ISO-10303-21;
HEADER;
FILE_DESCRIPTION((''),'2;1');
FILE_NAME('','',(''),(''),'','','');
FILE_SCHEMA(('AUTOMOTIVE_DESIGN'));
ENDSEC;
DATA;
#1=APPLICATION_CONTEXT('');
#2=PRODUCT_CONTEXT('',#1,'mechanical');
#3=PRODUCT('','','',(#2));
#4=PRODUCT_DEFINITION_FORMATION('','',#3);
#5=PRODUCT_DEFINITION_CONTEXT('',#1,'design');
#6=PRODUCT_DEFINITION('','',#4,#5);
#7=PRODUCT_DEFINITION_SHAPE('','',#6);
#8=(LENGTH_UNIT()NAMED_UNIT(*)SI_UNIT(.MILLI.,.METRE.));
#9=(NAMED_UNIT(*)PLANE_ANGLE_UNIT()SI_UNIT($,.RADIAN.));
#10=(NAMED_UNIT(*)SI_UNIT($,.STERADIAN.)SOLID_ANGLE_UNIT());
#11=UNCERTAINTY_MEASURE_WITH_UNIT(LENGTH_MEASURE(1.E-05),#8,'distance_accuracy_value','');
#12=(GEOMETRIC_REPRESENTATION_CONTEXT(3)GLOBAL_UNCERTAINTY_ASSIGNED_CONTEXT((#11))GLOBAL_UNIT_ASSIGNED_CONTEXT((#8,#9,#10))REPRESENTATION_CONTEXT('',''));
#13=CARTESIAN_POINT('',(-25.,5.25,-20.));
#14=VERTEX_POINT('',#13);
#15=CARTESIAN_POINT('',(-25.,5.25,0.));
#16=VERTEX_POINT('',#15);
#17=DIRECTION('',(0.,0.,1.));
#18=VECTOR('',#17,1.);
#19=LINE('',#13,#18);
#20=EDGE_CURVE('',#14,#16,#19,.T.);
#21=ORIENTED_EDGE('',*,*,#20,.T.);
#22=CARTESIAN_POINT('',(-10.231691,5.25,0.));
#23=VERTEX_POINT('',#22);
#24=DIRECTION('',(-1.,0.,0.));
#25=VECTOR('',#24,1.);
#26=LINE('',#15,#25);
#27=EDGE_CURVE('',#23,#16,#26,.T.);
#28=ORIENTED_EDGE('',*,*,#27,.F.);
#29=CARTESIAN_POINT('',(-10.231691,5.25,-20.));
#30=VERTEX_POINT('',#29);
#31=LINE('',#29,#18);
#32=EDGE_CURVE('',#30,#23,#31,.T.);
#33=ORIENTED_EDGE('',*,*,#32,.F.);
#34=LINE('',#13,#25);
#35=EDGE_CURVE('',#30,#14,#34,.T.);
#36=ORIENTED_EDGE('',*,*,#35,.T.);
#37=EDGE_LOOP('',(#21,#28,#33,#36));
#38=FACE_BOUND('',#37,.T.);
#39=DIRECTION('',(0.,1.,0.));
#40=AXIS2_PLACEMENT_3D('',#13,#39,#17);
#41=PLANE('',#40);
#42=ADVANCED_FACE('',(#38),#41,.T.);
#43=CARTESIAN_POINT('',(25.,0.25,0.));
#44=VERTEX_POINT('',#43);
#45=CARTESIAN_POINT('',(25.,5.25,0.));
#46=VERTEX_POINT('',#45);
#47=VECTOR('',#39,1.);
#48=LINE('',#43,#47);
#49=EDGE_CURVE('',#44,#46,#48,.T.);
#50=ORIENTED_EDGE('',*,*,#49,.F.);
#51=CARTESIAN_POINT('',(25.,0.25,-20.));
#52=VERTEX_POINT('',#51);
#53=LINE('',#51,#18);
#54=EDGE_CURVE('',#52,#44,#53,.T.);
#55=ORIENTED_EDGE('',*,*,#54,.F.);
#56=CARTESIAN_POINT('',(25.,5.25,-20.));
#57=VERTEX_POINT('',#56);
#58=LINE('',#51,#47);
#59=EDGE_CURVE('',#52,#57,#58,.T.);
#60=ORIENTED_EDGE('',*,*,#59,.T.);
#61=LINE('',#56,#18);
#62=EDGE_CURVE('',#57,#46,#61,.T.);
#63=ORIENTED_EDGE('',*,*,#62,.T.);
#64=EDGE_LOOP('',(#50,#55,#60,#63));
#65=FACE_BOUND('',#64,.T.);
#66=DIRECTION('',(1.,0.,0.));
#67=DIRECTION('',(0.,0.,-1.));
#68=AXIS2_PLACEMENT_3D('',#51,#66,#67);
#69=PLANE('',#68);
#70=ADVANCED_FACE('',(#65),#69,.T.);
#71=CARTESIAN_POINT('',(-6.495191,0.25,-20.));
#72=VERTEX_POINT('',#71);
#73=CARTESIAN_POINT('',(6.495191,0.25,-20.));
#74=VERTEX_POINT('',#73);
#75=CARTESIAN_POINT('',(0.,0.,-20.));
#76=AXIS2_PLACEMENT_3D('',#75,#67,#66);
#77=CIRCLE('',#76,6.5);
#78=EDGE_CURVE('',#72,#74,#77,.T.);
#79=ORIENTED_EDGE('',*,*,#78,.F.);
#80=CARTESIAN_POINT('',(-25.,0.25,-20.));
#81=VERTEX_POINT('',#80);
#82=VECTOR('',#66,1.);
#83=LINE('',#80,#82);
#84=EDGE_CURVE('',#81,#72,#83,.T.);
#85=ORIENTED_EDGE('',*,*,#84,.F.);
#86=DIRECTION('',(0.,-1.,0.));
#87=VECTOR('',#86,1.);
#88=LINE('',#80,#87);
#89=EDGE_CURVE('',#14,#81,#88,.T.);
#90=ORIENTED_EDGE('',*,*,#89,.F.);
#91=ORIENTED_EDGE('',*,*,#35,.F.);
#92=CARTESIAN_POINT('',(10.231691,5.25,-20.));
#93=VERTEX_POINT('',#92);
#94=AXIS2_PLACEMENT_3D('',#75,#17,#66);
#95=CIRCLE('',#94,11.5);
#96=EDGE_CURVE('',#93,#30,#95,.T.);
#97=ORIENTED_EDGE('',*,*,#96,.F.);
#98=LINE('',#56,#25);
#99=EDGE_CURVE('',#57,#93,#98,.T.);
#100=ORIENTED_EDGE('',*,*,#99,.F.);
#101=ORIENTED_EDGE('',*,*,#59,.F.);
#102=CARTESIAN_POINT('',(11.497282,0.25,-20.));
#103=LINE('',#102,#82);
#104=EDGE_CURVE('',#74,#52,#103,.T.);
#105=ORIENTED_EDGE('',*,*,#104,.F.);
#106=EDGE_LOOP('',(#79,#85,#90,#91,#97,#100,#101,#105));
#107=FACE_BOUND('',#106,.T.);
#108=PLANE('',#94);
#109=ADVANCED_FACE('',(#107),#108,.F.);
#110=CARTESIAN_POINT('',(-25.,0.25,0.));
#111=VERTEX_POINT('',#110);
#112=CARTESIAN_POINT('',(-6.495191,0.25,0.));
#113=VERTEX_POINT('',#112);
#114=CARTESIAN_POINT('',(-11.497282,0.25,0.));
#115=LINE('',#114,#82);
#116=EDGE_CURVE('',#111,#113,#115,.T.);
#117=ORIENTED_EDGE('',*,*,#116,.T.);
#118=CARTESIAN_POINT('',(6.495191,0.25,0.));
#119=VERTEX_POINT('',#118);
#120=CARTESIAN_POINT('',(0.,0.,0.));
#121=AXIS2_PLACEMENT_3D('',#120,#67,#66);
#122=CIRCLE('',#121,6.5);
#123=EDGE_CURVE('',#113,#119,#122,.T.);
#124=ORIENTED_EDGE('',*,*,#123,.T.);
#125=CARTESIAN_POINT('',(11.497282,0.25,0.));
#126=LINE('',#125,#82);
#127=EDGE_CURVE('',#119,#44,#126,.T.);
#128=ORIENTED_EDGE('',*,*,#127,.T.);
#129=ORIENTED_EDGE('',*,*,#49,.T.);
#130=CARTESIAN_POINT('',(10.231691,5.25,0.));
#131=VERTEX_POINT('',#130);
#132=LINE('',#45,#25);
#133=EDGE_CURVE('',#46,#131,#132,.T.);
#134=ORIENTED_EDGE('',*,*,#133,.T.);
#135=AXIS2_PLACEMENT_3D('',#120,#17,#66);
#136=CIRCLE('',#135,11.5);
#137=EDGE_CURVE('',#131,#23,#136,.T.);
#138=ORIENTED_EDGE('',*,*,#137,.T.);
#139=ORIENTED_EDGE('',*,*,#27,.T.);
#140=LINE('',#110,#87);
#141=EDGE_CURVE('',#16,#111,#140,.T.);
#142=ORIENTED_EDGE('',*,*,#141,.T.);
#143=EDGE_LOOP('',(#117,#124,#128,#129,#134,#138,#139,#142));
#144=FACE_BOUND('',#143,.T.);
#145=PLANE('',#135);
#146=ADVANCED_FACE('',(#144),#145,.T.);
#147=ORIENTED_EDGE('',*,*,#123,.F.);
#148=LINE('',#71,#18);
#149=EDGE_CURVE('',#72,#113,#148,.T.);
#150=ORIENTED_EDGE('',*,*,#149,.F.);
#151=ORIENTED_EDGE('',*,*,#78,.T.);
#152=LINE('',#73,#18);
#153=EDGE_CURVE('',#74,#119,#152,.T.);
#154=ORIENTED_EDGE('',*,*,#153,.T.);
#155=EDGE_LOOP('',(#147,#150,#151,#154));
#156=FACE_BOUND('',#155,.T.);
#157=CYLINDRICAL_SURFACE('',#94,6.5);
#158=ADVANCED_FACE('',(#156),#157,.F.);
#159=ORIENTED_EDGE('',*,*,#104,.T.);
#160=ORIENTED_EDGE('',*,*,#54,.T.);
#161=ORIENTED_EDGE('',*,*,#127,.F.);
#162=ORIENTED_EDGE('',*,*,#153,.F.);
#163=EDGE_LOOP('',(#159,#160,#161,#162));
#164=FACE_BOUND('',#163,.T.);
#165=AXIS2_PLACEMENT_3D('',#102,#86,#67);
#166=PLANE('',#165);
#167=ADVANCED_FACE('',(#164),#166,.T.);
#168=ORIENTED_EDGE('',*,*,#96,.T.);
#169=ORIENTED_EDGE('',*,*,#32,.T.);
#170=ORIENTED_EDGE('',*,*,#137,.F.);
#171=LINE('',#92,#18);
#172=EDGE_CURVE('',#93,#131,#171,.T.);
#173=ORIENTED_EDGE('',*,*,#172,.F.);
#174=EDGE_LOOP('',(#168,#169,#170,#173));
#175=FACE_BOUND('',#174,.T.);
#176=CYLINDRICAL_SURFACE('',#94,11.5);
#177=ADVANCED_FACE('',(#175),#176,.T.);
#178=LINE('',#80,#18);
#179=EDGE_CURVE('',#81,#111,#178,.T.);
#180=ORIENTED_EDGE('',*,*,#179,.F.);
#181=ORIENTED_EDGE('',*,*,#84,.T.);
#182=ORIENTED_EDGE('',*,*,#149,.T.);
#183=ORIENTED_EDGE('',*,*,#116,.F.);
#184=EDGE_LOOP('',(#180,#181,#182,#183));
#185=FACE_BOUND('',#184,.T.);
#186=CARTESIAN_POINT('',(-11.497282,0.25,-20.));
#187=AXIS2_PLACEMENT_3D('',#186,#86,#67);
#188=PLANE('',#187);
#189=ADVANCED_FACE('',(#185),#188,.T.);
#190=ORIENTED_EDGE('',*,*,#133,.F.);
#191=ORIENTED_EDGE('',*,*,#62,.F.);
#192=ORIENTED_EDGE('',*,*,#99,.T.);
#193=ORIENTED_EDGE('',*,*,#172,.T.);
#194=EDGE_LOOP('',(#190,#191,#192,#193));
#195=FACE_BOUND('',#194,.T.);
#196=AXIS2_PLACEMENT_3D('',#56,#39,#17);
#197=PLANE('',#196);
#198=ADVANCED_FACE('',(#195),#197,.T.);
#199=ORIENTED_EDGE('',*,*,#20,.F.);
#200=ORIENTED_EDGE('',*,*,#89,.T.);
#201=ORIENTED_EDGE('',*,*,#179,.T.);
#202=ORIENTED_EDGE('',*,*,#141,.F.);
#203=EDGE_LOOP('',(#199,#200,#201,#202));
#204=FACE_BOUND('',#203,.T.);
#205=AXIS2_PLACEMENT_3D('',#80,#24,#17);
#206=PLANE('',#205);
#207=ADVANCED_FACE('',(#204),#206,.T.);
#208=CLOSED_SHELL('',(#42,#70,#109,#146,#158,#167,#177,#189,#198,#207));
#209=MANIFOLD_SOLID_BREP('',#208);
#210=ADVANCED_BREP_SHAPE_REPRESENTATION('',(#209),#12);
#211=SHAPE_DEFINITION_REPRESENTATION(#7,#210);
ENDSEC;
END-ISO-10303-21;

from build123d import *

# Parameters (mm, degrees)
BOSS_EXTRUDE1_DEPTH = 20


with BuildPart() as part:
    # Sketch1 → Boss-Extrude1 (new body)
    with BuildSketch(Plane.XY):
        with BuildLine():
            Line((-25, 0.25), (-11.497282288, 0.25))
            Line((-11.497282288, 0.25), (-6.495190528, 0.25))
            ThreePointArc((-6.495190528, 0.25), (0, 6.5), (6.495190528, 0.25))
            Line((6.495190528, 0.25), (11.497282288, 0.25))
            Line((11.497282288, 0.25), (25, 0.25))
            Line((25, 0.25), (25, 5.25))
            Line((25, 5.25), (10.231690965, 5.25))
            ThreePointArc((10.231690965, 5.25), (0, 11.5), (-10.231690965, 5.25))
            Line((-10.231690965, 5.25), (-25, 5.25))
            Line((-25, 5.25), (-25, 0.25))
        make_face()
    extrude(amount=-BOSS_EXTRUDE1_DEPTH)


solid = part.part
